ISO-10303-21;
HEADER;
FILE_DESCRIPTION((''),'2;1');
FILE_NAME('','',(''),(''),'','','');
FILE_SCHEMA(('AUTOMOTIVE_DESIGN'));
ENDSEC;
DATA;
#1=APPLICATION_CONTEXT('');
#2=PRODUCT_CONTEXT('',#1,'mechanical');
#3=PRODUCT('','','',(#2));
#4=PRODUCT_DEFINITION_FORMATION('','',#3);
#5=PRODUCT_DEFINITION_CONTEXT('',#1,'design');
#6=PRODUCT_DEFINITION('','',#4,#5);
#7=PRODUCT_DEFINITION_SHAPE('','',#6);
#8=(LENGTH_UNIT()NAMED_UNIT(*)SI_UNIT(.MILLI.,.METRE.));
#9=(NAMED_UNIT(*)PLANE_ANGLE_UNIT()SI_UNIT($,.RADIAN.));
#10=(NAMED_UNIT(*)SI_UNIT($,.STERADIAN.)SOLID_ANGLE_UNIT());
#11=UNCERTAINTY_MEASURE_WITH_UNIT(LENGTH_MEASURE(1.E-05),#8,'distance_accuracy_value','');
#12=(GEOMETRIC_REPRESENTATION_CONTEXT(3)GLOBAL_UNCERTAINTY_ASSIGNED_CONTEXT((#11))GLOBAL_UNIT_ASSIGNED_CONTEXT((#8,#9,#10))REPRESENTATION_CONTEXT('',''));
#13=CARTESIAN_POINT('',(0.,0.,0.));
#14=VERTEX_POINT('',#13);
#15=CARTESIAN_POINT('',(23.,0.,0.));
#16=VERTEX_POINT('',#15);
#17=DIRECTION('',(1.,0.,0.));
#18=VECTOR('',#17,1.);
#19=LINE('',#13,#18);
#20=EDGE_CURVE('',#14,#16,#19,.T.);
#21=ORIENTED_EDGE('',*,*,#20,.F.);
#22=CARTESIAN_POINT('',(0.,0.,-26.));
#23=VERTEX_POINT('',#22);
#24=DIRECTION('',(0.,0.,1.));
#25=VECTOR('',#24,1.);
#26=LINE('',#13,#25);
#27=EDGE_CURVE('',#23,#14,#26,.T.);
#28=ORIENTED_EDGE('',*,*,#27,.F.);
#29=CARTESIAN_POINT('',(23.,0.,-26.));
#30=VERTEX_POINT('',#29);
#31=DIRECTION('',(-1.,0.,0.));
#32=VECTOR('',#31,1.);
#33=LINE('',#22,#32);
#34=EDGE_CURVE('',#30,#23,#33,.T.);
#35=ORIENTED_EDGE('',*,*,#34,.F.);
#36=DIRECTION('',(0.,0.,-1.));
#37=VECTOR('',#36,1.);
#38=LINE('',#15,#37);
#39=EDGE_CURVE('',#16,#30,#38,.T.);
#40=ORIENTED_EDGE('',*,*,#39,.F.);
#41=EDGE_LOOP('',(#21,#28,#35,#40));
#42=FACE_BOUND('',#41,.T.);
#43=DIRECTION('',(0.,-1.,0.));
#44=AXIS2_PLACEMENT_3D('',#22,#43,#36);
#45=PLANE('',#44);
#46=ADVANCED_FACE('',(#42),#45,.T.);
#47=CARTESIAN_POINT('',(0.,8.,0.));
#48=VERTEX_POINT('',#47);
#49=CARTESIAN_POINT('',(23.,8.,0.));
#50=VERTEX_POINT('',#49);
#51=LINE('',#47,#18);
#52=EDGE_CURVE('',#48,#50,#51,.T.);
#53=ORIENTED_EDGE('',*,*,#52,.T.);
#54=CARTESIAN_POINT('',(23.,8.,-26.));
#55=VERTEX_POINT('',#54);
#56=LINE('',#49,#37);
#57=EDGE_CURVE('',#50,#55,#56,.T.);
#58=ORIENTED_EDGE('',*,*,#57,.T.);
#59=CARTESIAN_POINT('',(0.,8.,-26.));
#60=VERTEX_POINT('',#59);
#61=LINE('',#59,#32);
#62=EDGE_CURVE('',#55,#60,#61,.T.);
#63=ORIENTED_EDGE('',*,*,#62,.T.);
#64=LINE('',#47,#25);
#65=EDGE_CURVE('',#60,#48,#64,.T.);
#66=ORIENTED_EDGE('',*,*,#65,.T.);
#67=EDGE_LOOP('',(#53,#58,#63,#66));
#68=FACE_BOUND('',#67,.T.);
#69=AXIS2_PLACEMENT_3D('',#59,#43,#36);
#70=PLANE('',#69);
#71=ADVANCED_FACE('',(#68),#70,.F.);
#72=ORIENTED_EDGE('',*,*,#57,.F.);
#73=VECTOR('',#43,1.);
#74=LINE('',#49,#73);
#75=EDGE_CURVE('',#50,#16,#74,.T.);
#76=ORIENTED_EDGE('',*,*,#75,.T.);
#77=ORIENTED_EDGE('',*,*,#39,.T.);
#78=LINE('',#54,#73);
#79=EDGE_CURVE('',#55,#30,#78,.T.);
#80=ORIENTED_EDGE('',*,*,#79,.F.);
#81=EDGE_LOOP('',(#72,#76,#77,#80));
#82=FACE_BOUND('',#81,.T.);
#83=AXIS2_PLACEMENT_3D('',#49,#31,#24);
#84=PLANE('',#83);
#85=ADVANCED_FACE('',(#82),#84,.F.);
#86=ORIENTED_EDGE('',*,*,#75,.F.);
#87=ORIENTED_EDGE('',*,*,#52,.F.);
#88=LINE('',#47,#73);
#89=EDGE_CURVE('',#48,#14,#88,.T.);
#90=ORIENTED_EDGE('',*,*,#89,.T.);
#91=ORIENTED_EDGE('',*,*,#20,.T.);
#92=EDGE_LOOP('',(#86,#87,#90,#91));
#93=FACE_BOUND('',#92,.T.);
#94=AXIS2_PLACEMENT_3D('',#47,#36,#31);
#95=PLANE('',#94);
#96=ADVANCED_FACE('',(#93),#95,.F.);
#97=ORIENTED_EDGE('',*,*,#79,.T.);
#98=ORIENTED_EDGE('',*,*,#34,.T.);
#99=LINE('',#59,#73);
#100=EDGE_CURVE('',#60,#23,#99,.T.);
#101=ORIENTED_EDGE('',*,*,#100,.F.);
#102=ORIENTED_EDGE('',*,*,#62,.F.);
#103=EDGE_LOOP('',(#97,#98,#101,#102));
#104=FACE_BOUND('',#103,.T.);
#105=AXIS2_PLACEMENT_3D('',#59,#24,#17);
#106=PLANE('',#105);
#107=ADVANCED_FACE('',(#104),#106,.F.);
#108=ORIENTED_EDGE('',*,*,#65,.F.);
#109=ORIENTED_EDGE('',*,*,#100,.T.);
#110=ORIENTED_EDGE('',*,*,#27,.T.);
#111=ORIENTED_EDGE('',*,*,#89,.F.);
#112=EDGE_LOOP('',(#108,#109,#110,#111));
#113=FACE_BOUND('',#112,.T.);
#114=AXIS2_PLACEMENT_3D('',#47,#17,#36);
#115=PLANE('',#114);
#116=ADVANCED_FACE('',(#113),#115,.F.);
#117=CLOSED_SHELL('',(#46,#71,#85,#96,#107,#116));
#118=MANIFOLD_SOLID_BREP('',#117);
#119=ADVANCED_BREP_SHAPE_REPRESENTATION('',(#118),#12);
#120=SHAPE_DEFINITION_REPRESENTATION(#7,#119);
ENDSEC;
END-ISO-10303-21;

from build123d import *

# Parameters (mm, degrees)
ESQUISSE2_W      = 23
ESQUISSE2_H      = 26
EXTRUSION1_DEPTH = 8


with BuildPart() as part:
    # Esquisse2 → Extrusion1 (new body)
    with BuildSketch(Plane(origin=(0, 0, 0), x_dir=(1, 0, 0), z_dir=(0, 1, 0))):
        with Locations((11.5, 13)):
            Rectangle(ESQUISSE2_W, ESQUISSE2_H)
    extrude(amount=EXTRUSION1_DEPTH)


solid = part.part
